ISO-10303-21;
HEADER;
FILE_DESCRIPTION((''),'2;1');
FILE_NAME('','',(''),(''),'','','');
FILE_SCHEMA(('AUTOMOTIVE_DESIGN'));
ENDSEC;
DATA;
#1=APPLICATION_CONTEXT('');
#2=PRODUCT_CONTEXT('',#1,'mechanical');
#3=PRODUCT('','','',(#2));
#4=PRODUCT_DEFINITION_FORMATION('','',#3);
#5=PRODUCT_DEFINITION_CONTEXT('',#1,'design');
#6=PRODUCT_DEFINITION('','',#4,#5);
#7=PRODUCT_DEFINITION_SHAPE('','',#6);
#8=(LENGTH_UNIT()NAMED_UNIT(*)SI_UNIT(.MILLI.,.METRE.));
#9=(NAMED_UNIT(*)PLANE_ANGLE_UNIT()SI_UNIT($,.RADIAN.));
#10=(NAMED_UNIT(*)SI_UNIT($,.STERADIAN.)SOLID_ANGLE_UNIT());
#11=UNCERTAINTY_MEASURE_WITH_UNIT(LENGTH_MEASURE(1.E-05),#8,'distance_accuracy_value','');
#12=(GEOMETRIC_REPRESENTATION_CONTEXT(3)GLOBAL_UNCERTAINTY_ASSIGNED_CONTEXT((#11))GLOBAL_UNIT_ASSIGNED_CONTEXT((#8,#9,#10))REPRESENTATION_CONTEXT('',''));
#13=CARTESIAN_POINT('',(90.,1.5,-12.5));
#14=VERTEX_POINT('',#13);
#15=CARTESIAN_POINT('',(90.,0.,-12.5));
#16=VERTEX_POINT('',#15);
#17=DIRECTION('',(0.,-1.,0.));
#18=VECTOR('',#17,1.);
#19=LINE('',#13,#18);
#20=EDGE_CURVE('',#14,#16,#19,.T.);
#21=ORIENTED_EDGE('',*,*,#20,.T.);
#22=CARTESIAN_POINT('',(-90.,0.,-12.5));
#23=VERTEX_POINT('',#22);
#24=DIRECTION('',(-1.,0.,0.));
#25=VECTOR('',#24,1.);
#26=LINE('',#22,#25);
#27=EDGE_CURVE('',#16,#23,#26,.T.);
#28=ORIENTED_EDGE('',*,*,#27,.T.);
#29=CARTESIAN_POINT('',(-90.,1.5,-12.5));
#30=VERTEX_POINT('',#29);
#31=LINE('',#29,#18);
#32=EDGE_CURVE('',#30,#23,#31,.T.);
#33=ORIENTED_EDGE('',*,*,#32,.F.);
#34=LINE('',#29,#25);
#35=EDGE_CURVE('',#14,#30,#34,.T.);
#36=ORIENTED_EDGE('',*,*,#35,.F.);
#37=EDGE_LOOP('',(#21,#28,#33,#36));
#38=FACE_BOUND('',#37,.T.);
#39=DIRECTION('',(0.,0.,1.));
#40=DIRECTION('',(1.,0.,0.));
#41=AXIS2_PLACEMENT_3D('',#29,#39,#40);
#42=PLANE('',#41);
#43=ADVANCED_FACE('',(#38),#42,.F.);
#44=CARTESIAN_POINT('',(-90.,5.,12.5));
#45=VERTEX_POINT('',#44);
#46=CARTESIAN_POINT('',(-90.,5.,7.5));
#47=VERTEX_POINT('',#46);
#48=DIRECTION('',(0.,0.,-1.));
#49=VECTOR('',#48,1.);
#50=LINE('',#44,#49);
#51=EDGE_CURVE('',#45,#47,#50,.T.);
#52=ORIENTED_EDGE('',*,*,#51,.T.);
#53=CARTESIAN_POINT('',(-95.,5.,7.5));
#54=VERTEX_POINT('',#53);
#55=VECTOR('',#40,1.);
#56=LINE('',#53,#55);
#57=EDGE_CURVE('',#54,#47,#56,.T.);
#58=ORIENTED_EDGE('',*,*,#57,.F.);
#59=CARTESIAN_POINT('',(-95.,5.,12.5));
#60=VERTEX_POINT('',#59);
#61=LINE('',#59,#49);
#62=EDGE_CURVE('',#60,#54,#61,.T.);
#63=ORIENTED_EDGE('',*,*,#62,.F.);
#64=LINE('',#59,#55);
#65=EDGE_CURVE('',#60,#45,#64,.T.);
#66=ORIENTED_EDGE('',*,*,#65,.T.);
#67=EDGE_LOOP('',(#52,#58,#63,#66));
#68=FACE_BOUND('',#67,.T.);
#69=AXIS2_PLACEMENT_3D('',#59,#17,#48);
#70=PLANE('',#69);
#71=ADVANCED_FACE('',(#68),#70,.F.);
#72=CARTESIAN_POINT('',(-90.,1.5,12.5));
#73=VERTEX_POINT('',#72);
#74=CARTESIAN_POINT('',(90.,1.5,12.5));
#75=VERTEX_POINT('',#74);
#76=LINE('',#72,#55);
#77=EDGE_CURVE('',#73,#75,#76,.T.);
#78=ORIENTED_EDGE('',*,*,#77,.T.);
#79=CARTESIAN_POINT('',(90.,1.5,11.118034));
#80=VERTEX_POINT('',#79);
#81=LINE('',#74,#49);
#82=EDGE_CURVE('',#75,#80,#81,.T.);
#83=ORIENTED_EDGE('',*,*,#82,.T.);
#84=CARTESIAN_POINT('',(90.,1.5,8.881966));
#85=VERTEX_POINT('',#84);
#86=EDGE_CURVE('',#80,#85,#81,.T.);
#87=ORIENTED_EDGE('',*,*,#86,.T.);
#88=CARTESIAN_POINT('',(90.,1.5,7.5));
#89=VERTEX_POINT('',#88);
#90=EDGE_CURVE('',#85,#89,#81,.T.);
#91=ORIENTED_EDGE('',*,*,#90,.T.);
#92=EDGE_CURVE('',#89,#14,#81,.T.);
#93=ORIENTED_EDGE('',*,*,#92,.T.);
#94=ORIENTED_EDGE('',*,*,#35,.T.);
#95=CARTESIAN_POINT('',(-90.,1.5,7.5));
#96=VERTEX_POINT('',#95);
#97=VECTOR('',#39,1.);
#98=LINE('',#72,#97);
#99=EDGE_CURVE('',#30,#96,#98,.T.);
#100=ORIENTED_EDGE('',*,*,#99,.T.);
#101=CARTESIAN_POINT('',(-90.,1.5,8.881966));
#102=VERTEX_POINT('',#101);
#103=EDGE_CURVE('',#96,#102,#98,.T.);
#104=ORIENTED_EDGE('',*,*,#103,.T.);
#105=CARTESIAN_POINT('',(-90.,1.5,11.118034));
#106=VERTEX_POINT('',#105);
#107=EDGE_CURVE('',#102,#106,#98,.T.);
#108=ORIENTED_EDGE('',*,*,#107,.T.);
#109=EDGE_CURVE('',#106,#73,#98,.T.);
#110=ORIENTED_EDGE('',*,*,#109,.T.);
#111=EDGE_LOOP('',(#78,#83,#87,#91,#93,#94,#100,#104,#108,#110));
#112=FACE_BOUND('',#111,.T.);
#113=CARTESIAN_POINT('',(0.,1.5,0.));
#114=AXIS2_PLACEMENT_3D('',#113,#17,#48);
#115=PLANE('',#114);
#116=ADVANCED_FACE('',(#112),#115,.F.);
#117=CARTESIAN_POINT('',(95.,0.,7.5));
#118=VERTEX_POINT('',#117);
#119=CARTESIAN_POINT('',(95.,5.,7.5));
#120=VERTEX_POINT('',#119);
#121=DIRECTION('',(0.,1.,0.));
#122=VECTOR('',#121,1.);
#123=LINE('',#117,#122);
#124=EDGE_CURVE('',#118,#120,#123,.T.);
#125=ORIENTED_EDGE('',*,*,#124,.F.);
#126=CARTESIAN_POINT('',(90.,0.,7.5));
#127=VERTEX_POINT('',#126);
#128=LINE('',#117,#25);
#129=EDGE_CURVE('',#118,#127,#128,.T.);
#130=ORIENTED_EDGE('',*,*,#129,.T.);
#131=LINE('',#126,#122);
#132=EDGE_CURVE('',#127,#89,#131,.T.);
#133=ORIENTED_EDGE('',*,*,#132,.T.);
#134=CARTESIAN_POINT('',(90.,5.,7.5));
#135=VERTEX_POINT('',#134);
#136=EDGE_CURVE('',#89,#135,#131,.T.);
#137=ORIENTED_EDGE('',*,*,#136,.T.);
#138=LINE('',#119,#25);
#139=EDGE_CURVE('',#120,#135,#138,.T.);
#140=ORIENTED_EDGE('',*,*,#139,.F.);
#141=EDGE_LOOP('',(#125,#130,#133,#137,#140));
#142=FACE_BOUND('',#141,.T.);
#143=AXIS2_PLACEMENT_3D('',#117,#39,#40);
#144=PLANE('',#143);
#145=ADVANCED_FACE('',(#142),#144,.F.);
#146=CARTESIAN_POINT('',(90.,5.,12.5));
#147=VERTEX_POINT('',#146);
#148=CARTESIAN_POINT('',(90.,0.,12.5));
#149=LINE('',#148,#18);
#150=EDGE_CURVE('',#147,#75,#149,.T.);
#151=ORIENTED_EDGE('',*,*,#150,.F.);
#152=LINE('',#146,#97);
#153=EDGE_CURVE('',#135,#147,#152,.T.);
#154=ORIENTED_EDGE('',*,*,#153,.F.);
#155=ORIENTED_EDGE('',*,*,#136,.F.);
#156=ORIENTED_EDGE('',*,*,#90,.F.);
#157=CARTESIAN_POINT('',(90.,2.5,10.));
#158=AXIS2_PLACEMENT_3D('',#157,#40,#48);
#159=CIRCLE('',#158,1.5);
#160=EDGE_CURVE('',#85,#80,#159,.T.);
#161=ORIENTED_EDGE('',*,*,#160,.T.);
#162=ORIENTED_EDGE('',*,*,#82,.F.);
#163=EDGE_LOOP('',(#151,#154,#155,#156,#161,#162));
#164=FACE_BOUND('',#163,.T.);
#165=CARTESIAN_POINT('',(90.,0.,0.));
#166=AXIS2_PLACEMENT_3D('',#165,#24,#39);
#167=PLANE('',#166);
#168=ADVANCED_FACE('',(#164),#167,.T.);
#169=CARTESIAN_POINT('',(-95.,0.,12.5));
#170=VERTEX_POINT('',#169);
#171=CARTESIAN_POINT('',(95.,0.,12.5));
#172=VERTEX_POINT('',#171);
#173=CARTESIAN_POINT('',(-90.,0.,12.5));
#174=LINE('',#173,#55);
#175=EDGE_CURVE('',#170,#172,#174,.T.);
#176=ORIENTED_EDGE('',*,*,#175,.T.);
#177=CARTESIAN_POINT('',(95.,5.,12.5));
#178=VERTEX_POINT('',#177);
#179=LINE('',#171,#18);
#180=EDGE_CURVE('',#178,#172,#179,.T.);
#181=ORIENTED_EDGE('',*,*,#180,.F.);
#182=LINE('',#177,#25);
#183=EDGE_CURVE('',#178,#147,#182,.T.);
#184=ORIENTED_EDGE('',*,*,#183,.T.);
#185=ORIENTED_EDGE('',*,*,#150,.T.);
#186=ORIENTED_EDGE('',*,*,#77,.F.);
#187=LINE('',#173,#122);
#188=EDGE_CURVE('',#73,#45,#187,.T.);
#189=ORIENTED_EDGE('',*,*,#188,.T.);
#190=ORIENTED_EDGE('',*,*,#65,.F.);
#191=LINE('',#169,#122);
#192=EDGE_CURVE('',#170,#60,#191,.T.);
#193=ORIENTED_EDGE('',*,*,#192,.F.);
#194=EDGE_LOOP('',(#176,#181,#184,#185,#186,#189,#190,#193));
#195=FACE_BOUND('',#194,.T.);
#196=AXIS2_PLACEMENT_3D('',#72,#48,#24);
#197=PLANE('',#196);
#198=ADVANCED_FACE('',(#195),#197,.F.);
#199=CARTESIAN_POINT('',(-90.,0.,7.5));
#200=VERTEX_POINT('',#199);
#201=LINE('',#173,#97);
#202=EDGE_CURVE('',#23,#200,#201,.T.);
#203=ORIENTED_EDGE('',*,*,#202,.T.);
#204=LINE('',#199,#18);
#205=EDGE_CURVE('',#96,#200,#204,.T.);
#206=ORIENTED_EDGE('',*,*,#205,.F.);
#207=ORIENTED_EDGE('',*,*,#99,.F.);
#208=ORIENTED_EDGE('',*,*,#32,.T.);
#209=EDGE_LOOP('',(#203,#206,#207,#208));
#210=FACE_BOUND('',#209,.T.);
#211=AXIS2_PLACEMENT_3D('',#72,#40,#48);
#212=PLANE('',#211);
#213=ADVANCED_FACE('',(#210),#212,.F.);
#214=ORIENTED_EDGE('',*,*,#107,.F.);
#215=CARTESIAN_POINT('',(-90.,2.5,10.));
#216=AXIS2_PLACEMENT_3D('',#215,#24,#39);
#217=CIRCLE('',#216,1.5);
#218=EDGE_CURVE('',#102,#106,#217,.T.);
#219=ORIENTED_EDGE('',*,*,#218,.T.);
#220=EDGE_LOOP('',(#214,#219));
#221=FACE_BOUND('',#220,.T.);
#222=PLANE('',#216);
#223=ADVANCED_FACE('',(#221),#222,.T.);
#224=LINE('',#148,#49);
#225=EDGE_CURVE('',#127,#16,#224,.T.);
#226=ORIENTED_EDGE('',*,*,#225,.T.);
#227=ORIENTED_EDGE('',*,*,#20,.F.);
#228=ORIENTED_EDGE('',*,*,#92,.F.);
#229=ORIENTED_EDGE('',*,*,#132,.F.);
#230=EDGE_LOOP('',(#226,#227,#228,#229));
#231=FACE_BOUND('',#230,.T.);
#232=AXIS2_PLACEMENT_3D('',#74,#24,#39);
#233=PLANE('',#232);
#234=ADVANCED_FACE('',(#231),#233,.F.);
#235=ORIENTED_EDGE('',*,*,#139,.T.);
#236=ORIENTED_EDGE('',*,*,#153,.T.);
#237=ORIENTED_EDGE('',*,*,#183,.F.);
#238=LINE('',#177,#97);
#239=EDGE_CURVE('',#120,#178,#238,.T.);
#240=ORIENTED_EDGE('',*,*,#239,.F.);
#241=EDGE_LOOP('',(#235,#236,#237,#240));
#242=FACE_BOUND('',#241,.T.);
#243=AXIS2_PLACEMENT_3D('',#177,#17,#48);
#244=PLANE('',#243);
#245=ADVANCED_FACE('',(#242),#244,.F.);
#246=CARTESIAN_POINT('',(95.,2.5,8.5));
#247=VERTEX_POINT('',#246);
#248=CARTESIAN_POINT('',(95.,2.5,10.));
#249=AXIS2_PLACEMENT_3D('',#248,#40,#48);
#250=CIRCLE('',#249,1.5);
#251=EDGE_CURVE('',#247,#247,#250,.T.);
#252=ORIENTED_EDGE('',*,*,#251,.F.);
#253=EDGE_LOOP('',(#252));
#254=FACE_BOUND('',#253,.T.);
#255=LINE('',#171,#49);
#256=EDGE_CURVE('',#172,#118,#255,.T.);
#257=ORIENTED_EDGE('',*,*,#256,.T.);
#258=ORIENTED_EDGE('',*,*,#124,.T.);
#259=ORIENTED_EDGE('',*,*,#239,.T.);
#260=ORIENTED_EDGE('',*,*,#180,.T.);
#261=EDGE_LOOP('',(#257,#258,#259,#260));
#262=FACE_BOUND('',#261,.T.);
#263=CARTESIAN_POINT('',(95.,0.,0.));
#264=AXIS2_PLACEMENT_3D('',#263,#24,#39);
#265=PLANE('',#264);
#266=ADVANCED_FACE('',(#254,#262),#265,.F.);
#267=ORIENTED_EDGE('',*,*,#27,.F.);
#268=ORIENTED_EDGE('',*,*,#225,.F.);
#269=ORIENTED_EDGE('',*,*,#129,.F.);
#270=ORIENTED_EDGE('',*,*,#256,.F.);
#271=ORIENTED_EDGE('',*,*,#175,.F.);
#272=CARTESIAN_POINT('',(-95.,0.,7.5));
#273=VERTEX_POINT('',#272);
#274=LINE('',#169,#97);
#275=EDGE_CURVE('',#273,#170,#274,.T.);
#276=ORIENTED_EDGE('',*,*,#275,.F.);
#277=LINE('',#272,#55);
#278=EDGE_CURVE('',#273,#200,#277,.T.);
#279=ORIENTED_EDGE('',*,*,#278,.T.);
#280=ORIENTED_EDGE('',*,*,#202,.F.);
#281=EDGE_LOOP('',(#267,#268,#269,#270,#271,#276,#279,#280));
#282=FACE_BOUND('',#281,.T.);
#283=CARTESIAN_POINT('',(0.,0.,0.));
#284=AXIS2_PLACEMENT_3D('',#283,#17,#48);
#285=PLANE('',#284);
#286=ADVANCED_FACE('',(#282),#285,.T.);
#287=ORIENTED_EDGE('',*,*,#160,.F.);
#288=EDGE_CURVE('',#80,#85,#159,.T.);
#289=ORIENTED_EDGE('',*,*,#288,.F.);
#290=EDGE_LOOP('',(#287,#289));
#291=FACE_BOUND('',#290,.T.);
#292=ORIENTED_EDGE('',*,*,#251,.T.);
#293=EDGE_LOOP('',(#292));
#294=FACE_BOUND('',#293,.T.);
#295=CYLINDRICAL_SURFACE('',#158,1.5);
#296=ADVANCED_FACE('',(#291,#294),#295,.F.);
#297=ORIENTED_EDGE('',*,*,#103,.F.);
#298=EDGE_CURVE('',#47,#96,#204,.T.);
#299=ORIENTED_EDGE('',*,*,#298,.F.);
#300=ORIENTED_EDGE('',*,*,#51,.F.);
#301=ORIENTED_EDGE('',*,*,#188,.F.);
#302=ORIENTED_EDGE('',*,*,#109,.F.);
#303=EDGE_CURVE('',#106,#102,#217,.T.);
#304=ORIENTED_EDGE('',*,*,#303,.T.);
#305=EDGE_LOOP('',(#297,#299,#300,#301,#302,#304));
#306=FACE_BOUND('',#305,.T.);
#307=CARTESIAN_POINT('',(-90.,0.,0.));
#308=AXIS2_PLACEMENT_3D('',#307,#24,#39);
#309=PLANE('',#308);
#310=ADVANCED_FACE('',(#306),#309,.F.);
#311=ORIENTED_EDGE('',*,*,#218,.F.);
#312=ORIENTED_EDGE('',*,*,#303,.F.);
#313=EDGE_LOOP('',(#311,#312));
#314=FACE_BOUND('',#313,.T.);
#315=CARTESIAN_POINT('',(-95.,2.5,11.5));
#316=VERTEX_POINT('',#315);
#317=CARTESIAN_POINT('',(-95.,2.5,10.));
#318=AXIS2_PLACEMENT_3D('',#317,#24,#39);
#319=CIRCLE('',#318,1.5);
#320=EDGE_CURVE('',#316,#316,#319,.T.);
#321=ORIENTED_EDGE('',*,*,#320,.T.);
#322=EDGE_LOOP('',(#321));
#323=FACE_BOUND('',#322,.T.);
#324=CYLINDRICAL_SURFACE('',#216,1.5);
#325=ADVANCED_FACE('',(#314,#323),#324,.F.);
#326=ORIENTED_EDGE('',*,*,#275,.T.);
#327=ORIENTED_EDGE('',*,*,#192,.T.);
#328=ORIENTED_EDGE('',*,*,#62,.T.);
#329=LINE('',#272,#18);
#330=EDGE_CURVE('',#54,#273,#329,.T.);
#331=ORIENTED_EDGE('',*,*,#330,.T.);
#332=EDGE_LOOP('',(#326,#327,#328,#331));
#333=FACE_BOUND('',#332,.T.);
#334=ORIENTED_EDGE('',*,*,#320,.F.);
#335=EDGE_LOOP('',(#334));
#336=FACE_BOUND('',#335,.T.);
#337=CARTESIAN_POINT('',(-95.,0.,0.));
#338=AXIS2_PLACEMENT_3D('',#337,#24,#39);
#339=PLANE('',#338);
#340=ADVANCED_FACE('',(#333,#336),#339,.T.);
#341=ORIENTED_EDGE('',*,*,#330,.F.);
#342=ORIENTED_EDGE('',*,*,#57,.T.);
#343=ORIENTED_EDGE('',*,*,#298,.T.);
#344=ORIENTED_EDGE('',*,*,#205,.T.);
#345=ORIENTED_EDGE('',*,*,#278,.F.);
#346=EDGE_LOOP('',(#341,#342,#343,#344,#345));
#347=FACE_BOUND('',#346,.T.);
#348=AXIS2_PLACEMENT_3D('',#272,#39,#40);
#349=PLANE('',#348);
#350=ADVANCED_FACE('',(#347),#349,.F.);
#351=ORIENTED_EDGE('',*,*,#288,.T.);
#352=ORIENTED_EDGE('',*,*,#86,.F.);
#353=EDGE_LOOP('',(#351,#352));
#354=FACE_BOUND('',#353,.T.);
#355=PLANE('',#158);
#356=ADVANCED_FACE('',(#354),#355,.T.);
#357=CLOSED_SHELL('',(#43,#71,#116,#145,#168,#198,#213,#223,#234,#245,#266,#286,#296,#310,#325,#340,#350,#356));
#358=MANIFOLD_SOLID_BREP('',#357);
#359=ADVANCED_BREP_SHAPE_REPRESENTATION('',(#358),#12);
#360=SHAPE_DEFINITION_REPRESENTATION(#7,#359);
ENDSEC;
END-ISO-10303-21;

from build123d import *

# Parameters (mm, degrees)
SKIZZE1_W                       = 180
SKIZZE1_H                       = 25
AUFSATZ_LINEAR_AUSTRAGEN1_DEPTH = 1.5
SKIZZE2_W                       = 5
SKIZZE2_H                       = 5
AUFSATZ_LINEAR_AUSTRAGEN2_DEPTH = 5
SKIZZE3_R                       = 1.5
SCHNITT_LINEAR_AUSTRAGEN1_DEPTH = 5
SKIZZE4_W                       = 5
SKIZZE4_H                       = 5
AUFSATZ_LINEAR_AUSTRAGEN3_DEPTH = 5
SCHNITT_LINEAR_START            = -5
SKIZZE5_R                       = 1.5
SCHNITT_LINEAR_AUSTRAGEN2_DEPTH = 5


with BuildPart() as part:
    # Skizze1 → Aufsatz-Linear austragen1 (new body)
    with BuildSketch(Plane(origin=(0, 0, 0), x_dir=(1, 0, 0), z_dir=(0, 1, 0))):
        Rectangle(SKIZZE1_W, SKIZZE1_H)
    extrude(amount=AUFSATZ_LINEAR_AUSTRAGEN1_DEPTH)

    # Skizze2 → Aufsatz-Linear austragen2 (add)
    with BuildSketch(Plane(origin=(90, 0, 0), x_dir=(0, 0, -1), z_dir=(1, 0, 0))):
        with Locations((-10, 2.5)):
            Rectangle(SKIZZE2_W, SKIZZE2_H)
    extrude(amount=AUFSATZ_LINEAR_AUSTRAGEN2_DEPTH)

    # Skizze3 → Schnitt-Linear austragen1 (cut)
    with BuildSketch(Plane(origin=(95, 0, 0), x_dir=(0, 0, -1), z_dir=(1, 0, 0))):
        with Locations((-10, 2.5)):
            Circle(SKIZZE3_R)
    extrude(amount=-SCHNITT_LINEAR_AUSTRAGEN1_DEPTH, mode=Mode.SUBTRACT)

    # Skizze4 → Aufsatz-Linear austragen3 (add)
    with BuildSketch(Plane.ZY.offset(90)):
        with Locations((10, 2.5)):
            Rectangle(SKIZZE4_W, SKIZZE4_H)
    extrude(amount=AUFSATZ_LINEAR_AUSTRAGEN3_DEPTH)

    # Skizze5 → Schnitt-Linear austragen2 (cut)
    with BuildSketch(Plane.ZY.offset(95).offset(SCHNITT_LINEAR_START)):
        with Locations(Location((10, 2.5, 0), (0, 0, 180))):
            Circle(SKIZZE5_R)
    extrude(amount=SCHNITT_LINEAR_AUSTRAGEN2_DEPTH, mode=Mode.SUBTRACT)


solid = part.part
